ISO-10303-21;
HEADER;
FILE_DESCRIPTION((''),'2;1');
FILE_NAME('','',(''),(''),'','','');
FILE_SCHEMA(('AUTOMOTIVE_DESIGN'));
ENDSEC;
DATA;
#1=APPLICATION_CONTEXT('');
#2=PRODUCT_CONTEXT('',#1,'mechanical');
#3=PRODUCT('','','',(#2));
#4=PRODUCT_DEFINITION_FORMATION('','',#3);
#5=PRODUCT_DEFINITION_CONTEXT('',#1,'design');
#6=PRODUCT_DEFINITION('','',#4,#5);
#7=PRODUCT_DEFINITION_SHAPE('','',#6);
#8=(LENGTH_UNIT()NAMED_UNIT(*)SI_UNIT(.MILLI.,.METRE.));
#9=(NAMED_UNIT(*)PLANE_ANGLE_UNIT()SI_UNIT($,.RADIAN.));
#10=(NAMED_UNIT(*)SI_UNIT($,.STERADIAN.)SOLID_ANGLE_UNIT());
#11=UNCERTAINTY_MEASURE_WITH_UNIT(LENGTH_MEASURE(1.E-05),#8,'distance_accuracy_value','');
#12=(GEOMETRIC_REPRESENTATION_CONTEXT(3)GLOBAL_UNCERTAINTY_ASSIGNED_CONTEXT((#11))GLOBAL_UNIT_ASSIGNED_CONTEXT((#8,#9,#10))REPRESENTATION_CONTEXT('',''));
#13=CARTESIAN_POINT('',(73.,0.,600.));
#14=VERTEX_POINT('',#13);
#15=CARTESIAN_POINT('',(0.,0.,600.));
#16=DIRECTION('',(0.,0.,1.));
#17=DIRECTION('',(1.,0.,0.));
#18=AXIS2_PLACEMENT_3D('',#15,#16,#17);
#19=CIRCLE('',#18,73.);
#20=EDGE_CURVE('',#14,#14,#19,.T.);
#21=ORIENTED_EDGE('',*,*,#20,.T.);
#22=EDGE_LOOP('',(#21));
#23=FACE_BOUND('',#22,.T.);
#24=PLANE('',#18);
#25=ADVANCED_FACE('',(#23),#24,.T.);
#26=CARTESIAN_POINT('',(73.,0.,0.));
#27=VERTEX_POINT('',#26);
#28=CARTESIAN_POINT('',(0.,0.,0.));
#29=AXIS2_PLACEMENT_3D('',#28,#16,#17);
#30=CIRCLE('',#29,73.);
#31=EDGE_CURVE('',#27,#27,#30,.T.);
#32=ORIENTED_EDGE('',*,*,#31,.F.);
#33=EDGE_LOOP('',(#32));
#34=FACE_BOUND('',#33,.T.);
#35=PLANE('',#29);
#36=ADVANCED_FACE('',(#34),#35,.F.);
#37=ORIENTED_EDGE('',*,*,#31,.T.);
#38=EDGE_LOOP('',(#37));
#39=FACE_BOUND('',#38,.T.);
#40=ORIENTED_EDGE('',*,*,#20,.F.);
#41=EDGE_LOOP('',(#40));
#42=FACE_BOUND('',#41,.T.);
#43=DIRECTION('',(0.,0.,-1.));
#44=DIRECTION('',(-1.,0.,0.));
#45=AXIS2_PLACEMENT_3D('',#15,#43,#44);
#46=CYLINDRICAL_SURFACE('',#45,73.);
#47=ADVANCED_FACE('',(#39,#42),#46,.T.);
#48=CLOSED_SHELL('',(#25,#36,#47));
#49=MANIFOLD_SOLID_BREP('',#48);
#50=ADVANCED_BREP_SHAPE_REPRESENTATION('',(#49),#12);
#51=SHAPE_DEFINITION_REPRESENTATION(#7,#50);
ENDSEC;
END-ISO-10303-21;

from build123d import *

# Parameters (mm, degrees)
SCHIZZO1_R                   = 73
ESTRUSIONE_ESTRUSIONE1_DEPTH = 600


with BuildPart() as part:
    # Schizzo1 → Estrusione-Estrusione1 (new body)
    with BuildSketch(Plane.XY):
        Circle(SCHIZZO1_R)
    extrude(amount=ESTRUSIONE_ESTRUSIONE1_DEPTH)


solid = part.part
